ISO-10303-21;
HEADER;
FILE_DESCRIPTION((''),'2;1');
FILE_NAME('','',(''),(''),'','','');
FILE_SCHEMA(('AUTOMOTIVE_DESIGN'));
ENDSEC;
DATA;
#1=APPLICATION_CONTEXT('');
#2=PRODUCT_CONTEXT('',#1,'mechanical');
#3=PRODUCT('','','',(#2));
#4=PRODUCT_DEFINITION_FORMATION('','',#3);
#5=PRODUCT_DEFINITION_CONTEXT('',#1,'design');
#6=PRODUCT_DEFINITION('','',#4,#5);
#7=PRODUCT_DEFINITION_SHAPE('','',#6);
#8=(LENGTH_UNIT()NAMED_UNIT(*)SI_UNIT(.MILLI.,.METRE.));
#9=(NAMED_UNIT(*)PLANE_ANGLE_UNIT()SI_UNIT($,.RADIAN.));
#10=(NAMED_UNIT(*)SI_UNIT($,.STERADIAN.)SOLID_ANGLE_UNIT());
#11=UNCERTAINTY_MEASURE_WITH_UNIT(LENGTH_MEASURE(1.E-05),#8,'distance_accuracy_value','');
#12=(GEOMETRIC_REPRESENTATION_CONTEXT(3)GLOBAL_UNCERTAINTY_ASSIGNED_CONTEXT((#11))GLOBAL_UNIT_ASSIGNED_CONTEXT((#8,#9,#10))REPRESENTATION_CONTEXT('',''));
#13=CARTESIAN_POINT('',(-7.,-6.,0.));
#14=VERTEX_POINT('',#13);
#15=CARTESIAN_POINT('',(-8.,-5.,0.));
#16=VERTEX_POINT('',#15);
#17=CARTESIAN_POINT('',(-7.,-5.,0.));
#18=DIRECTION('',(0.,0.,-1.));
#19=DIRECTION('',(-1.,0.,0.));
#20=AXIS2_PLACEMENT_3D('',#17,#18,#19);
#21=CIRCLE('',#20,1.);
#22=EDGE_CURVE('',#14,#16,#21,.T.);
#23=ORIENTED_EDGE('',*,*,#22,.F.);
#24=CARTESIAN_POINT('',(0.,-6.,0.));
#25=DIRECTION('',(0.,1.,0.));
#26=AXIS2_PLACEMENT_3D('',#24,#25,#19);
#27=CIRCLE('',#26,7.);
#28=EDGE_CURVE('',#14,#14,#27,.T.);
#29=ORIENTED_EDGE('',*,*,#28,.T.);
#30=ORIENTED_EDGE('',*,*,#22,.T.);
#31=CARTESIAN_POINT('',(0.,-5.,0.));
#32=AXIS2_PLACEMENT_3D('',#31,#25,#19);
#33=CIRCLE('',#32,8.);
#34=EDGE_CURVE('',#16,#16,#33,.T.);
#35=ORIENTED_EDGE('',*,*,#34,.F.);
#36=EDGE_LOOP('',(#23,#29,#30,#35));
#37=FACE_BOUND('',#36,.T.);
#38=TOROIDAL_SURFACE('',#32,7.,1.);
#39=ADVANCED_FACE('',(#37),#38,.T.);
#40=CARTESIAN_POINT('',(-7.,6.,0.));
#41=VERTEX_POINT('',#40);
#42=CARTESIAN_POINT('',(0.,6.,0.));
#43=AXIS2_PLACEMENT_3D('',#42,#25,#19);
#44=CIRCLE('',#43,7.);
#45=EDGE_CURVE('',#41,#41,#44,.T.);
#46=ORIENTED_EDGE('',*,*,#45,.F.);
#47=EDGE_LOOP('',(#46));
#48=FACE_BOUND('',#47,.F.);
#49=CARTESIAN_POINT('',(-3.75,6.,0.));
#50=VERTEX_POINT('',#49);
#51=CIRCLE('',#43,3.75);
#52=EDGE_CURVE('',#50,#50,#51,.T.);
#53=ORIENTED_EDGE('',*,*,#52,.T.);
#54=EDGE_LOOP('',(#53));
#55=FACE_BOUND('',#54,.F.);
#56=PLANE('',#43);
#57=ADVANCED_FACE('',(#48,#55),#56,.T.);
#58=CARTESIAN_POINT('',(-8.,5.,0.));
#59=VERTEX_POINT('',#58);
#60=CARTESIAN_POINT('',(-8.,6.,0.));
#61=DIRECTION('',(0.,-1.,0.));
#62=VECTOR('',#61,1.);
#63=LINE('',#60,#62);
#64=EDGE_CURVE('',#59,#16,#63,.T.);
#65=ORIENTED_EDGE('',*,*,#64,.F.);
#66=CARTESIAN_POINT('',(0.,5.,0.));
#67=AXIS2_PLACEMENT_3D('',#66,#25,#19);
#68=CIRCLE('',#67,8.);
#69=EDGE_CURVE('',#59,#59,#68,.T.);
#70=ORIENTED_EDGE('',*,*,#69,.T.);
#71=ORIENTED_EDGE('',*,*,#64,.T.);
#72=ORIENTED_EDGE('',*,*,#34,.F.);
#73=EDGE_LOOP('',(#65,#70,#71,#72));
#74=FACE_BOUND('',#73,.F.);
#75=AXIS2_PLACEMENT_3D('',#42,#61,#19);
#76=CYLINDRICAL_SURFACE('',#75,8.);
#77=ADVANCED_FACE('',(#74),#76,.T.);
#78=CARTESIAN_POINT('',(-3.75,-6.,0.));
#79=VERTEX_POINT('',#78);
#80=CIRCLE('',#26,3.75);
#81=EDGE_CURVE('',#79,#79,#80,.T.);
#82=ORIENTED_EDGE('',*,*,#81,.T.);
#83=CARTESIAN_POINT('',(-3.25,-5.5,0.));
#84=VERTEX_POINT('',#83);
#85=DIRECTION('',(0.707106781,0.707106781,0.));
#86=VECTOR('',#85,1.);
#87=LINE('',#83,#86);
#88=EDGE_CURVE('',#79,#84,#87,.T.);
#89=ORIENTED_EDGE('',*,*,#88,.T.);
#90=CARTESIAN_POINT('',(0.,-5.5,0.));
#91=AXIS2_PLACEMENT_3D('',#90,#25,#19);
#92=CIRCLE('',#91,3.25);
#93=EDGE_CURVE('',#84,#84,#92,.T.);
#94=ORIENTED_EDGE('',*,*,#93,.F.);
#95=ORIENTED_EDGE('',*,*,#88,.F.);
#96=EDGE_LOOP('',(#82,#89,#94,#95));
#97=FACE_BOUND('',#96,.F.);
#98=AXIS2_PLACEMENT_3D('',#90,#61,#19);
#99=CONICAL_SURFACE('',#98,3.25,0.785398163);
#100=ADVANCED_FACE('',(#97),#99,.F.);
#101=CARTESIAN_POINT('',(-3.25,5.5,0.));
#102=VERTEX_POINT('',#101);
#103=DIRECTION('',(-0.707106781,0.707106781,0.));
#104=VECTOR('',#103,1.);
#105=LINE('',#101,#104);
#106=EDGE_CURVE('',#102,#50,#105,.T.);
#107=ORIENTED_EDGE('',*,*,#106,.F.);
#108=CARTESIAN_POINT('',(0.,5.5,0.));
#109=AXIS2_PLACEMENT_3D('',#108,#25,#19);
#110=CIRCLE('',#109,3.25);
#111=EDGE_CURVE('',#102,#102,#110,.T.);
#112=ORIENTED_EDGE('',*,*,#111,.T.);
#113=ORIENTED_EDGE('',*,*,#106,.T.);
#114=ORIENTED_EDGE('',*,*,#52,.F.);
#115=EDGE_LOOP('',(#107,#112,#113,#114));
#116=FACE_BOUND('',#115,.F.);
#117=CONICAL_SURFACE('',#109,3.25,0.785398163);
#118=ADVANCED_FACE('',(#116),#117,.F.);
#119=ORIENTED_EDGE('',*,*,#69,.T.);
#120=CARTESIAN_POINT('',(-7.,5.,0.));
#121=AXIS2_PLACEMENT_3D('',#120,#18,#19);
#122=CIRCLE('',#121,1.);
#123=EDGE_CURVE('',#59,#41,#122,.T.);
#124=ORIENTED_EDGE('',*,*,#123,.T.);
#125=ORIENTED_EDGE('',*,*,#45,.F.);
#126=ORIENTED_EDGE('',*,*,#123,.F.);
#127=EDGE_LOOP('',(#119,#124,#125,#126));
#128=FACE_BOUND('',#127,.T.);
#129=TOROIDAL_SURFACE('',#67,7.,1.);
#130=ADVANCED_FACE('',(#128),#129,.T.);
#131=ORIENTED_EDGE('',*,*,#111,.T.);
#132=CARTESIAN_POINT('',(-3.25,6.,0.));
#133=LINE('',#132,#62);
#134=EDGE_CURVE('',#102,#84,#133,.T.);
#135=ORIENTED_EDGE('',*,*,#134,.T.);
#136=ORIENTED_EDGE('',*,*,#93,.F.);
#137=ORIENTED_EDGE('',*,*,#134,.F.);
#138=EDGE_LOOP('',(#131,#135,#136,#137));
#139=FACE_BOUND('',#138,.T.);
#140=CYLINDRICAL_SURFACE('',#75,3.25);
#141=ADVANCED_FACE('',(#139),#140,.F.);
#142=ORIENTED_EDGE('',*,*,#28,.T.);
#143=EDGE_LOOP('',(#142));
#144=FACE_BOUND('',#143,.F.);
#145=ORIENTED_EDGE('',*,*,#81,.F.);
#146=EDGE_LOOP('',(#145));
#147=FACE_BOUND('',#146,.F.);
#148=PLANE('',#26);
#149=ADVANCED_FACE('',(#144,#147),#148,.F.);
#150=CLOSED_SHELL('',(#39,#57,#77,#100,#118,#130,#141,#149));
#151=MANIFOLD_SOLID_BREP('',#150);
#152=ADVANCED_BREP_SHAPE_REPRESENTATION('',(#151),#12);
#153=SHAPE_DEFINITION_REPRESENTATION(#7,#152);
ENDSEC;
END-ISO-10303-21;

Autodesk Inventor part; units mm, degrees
ref_plane "YZ Plane" through (0, 0, 0) normal (1, 0, 0) x (0, 1, 0)
ref_plane "XZ Plane" through (0, 0, 0) normal (0, 1, 0) x (-1, 0, 0)
ref_plane "XY Plane" through (0, 0, 0) normal (0, 0, 1) x (1, 0, 0)
sketch "Sketch1" plane through (0, 0, 0) normal (0, 0, 1) x (1, 0, 0)
  line L0 (0, 6) -> (-8, 6)
  line L1 (-8, 6) -> (-8, -6)
  line L2 (-8, -6) -> (0, -6)
  line L3 (0, -6) -> (0, 6)
  line L4 (-3.25, 6) -> (-3.25, -6)
  point P0 (0, 0)
  point P1 (0, 0)
  dimension "d0" = 12
  dimension "d1" = 6.5
  dimension "d2" = 16
revolve "Revolution1" add sketch "Sketch1" angle 360 about axis through (0, -6, 0) along (0, 1, 0) contours L4 L2 L1 L0
fillet "Fillet1" radius 1 2 edges at (8, 6, 0) (8, -6, 0)
chamfer "Chamfer1" distance 0.5 angle 45 2 edges at (3.25, 6, 0) (3.25, -6, 0)
properties part number "REVO-heater" material "Rubber"
